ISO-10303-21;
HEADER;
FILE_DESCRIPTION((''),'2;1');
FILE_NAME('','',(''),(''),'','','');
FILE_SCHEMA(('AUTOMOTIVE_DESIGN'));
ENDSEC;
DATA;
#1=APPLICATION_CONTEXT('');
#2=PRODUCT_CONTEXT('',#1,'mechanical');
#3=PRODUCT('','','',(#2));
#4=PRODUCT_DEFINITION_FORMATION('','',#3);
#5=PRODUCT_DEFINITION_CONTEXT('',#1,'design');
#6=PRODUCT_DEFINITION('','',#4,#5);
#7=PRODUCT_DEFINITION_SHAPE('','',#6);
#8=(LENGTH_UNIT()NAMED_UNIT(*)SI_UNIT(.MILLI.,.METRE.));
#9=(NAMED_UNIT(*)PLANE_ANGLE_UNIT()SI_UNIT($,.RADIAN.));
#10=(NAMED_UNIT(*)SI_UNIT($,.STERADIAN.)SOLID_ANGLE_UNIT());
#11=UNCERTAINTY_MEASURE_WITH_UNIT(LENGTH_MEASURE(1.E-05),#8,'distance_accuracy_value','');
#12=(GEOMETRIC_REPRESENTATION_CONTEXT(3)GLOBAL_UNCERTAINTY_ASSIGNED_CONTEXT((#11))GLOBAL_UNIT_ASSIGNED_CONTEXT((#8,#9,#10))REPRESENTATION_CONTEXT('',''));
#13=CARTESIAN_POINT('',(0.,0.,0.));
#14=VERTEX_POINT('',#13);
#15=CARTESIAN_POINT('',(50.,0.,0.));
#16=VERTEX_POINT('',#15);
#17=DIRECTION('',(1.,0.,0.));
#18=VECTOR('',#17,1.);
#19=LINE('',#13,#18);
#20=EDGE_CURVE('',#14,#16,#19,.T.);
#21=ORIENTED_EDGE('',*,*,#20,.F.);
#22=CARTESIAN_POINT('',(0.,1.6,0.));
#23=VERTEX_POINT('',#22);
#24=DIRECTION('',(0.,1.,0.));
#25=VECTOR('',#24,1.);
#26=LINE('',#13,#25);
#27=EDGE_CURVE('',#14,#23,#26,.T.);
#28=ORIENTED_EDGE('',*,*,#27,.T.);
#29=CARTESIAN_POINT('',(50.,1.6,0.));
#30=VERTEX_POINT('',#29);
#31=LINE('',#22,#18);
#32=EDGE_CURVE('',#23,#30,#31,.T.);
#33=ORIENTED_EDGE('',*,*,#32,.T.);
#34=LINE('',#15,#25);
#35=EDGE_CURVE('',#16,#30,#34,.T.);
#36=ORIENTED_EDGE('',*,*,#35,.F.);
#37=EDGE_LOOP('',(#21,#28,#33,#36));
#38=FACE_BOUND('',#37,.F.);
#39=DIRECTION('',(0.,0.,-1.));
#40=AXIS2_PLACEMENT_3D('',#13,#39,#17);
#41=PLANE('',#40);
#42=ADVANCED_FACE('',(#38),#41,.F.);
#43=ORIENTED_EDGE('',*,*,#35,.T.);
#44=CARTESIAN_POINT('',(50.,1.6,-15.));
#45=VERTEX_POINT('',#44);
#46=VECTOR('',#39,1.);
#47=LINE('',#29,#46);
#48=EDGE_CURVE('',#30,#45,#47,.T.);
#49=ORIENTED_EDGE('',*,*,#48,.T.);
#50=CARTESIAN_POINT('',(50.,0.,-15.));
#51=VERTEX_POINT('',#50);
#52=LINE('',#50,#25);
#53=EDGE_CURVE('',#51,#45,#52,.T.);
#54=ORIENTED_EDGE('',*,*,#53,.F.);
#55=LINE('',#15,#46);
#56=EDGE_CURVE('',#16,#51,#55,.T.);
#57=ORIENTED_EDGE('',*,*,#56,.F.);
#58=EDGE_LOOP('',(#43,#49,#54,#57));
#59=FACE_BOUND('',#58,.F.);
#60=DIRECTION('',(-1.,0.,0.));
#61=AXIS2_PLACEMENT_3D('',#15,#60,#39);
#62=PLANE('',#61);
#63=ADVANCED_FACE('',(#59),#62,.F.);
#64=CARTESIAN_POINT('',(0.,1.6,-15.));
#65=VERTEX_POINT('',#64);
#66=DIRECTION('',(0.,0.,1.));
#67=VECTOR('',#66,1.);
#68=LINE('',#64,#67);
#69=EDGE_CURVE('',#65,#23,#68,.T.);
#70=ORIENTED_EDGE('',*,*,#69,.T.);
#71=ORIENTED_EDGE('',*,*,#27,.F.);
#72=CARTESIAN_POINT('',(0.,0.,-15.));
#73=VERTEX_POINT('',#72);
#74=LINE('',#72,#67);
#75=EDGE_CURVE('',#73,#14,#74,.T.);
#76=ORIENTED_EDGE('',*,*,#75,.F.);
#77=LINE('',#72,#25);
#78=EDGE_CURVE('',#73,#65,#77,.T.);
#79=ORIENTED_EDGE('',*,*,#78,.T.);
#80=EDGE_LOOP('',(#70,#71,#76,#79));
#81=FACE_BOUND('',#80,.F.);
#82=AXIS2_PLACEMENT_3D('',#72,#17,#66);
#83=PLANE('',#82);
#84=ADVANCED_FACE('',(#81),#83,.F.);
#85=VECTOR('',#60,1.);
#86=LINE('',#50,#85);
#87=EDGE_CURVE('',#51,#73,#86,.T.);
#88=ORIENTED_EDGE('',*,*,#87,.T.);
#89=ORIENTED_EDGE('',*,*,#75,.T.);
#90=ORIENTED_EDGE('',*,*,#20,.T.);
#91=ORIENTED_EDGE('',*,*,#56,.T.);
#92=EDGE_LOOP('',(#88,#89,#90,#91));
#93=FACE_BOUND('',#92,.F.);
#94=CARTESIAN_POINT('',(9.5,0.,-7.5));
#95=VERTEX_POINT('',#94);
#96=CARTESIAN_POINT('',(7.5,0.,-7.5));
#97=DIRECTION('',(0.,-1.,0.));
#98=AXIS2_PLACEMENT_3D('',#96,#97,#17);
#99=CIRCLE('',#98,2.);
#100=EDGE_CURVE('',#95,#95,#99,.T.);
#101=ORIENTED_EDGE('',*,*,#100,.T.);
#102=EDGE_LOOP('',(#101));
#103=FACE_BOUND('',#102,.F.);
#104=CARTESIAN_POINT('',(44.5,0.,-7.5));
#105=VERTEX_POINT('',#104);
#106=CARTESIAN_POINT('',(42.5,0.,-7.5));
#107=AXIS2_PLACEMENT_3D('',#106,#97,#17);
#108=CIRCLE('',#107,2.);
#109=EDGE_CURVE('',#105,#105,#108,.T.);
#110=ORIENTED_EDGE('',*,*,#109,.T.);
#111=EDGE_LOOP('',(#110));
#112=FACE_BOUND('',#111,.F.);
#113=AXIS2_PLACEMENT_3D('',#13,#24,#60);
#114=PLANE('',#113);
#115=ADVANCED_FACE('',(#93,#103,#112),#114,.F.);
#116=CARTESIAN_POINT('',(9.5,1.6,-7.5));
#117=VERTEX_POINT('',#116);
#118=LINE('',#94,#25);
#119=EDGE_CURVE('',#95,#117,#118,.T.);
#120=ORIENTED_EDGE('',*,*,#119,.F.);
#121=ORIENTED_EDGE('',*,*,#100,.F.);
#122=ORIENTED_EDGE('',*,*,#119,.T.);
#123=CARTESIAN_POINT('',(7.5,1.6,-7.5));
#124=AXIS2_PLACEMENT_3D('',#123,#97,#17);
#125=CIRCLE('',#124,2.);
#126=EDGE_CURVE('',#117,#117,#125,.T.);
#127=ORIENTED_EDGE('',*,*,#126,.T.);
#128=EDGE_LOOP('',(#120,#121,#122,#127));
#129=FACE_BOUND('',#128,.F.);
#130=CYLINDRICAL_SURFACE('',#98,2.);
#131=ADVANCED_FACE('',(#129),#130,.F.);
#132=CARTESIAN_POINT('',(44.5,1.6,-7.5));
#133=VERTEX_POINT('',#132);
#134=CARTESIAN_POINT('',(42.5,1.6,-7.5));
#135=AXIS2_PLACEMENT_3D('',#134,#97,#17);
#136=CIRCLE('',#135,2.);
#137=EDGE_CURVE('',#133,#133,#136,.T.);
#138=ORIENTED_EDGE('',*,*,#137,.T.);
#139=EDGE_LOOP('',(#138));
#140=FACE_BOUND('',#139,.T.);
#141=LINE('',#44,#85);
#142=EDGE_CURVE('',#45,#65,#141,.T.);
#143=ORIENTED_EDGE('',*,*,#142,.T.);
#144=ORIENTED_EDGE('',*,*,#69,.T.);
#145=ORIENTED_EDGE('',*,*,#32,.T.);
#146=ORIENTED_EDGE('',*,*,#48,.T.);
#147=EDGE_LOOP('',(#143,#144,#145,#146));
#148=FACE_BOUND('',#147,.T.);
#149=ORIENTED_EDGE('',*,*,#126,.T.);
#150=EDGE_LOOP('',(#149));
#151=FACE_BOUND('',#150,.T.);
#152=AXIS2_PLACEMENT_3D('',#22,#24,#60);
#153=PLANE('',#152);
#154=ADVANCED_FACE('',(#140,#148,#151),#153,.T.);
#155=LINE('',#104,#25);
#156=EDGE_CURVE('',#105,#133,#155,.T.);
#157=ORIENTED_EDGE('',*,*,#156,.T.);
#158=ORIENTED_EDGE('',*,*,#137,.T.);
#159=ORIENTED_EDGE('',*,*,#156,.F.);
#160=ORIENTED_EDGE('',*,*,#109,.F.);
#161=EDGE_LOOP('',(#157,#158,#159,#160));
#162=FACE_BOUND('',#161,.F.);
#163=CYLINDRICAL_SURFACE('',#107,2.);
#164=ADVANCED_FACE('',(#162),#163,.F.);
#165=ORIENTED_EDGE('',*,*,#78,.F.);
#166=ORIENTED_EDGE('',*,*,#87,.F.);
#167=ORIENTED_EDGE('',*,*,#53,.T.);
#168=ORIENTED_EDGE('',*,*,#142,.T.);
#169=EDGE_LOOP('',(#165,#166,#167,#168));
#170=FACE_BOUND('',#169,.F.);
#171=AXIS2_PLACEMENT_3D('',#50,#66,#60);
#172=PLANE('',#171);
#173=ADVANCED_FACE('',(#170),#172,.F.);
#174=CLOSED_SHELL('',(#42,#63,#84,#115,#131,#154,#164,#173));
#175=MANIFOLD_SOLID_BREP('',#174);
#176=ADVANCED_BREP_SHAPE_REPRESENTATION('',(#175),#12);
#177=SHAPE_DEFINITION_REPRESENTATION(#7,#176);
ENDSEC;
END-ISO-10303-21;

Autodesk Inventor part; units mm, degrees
ref_plane "YZ Plane" through (0, 0, 0) normal (1, 0, 0) x (0, 1, 0)
ref_plane "XZ Plane" through (0, 0, 0) normal (0, 1, 0) x (-1, 0, 0)
ref_plane "XY Plane" through (0, 0, 0) normal (0, 0, 1) x (1, 0, 0)
sketch "Sketch1" plane through (0, 0, 0) normal (0, 1, 0) x (-1, 0, 0)
  line L0 (0, 0) -> (-50, 0)
  line L1 (-50, 0) -> (-50, -15)
  line L2 (-50, -15) -> (0, -15)
  line L3 (0, -15) -> (0, 0)
  dimension "d0" = 50
  dimension "d1" = 15
extrude "Extrusion1" add sketch "Sketch1" along normal blind 1.6
sketch "Sketch2" plane through (0, 0, 0) normal (0, -1, 0) x (1, 0, 0)
  circle A0 centre (7.5, -7.5) radius 2
  line L0 (0, -15) -> (0, 0) projected
  circle A1 centre (42.5, -7.5) radius 2
  line L1 (50, 0) -> (50, -15) projected
  point P0 (0, -7.5)
  point P1 (50, -7.5)
  dimension "d4" = 4
  dimension "d5" = 7.5
  dimension "d6" = 4
  dimension "d7" = 7.5
extrude "Extrusion2" cut sketch "Sketch2" against normal blind 10
properties part number "Latch Catch Piece" material "Steel"
